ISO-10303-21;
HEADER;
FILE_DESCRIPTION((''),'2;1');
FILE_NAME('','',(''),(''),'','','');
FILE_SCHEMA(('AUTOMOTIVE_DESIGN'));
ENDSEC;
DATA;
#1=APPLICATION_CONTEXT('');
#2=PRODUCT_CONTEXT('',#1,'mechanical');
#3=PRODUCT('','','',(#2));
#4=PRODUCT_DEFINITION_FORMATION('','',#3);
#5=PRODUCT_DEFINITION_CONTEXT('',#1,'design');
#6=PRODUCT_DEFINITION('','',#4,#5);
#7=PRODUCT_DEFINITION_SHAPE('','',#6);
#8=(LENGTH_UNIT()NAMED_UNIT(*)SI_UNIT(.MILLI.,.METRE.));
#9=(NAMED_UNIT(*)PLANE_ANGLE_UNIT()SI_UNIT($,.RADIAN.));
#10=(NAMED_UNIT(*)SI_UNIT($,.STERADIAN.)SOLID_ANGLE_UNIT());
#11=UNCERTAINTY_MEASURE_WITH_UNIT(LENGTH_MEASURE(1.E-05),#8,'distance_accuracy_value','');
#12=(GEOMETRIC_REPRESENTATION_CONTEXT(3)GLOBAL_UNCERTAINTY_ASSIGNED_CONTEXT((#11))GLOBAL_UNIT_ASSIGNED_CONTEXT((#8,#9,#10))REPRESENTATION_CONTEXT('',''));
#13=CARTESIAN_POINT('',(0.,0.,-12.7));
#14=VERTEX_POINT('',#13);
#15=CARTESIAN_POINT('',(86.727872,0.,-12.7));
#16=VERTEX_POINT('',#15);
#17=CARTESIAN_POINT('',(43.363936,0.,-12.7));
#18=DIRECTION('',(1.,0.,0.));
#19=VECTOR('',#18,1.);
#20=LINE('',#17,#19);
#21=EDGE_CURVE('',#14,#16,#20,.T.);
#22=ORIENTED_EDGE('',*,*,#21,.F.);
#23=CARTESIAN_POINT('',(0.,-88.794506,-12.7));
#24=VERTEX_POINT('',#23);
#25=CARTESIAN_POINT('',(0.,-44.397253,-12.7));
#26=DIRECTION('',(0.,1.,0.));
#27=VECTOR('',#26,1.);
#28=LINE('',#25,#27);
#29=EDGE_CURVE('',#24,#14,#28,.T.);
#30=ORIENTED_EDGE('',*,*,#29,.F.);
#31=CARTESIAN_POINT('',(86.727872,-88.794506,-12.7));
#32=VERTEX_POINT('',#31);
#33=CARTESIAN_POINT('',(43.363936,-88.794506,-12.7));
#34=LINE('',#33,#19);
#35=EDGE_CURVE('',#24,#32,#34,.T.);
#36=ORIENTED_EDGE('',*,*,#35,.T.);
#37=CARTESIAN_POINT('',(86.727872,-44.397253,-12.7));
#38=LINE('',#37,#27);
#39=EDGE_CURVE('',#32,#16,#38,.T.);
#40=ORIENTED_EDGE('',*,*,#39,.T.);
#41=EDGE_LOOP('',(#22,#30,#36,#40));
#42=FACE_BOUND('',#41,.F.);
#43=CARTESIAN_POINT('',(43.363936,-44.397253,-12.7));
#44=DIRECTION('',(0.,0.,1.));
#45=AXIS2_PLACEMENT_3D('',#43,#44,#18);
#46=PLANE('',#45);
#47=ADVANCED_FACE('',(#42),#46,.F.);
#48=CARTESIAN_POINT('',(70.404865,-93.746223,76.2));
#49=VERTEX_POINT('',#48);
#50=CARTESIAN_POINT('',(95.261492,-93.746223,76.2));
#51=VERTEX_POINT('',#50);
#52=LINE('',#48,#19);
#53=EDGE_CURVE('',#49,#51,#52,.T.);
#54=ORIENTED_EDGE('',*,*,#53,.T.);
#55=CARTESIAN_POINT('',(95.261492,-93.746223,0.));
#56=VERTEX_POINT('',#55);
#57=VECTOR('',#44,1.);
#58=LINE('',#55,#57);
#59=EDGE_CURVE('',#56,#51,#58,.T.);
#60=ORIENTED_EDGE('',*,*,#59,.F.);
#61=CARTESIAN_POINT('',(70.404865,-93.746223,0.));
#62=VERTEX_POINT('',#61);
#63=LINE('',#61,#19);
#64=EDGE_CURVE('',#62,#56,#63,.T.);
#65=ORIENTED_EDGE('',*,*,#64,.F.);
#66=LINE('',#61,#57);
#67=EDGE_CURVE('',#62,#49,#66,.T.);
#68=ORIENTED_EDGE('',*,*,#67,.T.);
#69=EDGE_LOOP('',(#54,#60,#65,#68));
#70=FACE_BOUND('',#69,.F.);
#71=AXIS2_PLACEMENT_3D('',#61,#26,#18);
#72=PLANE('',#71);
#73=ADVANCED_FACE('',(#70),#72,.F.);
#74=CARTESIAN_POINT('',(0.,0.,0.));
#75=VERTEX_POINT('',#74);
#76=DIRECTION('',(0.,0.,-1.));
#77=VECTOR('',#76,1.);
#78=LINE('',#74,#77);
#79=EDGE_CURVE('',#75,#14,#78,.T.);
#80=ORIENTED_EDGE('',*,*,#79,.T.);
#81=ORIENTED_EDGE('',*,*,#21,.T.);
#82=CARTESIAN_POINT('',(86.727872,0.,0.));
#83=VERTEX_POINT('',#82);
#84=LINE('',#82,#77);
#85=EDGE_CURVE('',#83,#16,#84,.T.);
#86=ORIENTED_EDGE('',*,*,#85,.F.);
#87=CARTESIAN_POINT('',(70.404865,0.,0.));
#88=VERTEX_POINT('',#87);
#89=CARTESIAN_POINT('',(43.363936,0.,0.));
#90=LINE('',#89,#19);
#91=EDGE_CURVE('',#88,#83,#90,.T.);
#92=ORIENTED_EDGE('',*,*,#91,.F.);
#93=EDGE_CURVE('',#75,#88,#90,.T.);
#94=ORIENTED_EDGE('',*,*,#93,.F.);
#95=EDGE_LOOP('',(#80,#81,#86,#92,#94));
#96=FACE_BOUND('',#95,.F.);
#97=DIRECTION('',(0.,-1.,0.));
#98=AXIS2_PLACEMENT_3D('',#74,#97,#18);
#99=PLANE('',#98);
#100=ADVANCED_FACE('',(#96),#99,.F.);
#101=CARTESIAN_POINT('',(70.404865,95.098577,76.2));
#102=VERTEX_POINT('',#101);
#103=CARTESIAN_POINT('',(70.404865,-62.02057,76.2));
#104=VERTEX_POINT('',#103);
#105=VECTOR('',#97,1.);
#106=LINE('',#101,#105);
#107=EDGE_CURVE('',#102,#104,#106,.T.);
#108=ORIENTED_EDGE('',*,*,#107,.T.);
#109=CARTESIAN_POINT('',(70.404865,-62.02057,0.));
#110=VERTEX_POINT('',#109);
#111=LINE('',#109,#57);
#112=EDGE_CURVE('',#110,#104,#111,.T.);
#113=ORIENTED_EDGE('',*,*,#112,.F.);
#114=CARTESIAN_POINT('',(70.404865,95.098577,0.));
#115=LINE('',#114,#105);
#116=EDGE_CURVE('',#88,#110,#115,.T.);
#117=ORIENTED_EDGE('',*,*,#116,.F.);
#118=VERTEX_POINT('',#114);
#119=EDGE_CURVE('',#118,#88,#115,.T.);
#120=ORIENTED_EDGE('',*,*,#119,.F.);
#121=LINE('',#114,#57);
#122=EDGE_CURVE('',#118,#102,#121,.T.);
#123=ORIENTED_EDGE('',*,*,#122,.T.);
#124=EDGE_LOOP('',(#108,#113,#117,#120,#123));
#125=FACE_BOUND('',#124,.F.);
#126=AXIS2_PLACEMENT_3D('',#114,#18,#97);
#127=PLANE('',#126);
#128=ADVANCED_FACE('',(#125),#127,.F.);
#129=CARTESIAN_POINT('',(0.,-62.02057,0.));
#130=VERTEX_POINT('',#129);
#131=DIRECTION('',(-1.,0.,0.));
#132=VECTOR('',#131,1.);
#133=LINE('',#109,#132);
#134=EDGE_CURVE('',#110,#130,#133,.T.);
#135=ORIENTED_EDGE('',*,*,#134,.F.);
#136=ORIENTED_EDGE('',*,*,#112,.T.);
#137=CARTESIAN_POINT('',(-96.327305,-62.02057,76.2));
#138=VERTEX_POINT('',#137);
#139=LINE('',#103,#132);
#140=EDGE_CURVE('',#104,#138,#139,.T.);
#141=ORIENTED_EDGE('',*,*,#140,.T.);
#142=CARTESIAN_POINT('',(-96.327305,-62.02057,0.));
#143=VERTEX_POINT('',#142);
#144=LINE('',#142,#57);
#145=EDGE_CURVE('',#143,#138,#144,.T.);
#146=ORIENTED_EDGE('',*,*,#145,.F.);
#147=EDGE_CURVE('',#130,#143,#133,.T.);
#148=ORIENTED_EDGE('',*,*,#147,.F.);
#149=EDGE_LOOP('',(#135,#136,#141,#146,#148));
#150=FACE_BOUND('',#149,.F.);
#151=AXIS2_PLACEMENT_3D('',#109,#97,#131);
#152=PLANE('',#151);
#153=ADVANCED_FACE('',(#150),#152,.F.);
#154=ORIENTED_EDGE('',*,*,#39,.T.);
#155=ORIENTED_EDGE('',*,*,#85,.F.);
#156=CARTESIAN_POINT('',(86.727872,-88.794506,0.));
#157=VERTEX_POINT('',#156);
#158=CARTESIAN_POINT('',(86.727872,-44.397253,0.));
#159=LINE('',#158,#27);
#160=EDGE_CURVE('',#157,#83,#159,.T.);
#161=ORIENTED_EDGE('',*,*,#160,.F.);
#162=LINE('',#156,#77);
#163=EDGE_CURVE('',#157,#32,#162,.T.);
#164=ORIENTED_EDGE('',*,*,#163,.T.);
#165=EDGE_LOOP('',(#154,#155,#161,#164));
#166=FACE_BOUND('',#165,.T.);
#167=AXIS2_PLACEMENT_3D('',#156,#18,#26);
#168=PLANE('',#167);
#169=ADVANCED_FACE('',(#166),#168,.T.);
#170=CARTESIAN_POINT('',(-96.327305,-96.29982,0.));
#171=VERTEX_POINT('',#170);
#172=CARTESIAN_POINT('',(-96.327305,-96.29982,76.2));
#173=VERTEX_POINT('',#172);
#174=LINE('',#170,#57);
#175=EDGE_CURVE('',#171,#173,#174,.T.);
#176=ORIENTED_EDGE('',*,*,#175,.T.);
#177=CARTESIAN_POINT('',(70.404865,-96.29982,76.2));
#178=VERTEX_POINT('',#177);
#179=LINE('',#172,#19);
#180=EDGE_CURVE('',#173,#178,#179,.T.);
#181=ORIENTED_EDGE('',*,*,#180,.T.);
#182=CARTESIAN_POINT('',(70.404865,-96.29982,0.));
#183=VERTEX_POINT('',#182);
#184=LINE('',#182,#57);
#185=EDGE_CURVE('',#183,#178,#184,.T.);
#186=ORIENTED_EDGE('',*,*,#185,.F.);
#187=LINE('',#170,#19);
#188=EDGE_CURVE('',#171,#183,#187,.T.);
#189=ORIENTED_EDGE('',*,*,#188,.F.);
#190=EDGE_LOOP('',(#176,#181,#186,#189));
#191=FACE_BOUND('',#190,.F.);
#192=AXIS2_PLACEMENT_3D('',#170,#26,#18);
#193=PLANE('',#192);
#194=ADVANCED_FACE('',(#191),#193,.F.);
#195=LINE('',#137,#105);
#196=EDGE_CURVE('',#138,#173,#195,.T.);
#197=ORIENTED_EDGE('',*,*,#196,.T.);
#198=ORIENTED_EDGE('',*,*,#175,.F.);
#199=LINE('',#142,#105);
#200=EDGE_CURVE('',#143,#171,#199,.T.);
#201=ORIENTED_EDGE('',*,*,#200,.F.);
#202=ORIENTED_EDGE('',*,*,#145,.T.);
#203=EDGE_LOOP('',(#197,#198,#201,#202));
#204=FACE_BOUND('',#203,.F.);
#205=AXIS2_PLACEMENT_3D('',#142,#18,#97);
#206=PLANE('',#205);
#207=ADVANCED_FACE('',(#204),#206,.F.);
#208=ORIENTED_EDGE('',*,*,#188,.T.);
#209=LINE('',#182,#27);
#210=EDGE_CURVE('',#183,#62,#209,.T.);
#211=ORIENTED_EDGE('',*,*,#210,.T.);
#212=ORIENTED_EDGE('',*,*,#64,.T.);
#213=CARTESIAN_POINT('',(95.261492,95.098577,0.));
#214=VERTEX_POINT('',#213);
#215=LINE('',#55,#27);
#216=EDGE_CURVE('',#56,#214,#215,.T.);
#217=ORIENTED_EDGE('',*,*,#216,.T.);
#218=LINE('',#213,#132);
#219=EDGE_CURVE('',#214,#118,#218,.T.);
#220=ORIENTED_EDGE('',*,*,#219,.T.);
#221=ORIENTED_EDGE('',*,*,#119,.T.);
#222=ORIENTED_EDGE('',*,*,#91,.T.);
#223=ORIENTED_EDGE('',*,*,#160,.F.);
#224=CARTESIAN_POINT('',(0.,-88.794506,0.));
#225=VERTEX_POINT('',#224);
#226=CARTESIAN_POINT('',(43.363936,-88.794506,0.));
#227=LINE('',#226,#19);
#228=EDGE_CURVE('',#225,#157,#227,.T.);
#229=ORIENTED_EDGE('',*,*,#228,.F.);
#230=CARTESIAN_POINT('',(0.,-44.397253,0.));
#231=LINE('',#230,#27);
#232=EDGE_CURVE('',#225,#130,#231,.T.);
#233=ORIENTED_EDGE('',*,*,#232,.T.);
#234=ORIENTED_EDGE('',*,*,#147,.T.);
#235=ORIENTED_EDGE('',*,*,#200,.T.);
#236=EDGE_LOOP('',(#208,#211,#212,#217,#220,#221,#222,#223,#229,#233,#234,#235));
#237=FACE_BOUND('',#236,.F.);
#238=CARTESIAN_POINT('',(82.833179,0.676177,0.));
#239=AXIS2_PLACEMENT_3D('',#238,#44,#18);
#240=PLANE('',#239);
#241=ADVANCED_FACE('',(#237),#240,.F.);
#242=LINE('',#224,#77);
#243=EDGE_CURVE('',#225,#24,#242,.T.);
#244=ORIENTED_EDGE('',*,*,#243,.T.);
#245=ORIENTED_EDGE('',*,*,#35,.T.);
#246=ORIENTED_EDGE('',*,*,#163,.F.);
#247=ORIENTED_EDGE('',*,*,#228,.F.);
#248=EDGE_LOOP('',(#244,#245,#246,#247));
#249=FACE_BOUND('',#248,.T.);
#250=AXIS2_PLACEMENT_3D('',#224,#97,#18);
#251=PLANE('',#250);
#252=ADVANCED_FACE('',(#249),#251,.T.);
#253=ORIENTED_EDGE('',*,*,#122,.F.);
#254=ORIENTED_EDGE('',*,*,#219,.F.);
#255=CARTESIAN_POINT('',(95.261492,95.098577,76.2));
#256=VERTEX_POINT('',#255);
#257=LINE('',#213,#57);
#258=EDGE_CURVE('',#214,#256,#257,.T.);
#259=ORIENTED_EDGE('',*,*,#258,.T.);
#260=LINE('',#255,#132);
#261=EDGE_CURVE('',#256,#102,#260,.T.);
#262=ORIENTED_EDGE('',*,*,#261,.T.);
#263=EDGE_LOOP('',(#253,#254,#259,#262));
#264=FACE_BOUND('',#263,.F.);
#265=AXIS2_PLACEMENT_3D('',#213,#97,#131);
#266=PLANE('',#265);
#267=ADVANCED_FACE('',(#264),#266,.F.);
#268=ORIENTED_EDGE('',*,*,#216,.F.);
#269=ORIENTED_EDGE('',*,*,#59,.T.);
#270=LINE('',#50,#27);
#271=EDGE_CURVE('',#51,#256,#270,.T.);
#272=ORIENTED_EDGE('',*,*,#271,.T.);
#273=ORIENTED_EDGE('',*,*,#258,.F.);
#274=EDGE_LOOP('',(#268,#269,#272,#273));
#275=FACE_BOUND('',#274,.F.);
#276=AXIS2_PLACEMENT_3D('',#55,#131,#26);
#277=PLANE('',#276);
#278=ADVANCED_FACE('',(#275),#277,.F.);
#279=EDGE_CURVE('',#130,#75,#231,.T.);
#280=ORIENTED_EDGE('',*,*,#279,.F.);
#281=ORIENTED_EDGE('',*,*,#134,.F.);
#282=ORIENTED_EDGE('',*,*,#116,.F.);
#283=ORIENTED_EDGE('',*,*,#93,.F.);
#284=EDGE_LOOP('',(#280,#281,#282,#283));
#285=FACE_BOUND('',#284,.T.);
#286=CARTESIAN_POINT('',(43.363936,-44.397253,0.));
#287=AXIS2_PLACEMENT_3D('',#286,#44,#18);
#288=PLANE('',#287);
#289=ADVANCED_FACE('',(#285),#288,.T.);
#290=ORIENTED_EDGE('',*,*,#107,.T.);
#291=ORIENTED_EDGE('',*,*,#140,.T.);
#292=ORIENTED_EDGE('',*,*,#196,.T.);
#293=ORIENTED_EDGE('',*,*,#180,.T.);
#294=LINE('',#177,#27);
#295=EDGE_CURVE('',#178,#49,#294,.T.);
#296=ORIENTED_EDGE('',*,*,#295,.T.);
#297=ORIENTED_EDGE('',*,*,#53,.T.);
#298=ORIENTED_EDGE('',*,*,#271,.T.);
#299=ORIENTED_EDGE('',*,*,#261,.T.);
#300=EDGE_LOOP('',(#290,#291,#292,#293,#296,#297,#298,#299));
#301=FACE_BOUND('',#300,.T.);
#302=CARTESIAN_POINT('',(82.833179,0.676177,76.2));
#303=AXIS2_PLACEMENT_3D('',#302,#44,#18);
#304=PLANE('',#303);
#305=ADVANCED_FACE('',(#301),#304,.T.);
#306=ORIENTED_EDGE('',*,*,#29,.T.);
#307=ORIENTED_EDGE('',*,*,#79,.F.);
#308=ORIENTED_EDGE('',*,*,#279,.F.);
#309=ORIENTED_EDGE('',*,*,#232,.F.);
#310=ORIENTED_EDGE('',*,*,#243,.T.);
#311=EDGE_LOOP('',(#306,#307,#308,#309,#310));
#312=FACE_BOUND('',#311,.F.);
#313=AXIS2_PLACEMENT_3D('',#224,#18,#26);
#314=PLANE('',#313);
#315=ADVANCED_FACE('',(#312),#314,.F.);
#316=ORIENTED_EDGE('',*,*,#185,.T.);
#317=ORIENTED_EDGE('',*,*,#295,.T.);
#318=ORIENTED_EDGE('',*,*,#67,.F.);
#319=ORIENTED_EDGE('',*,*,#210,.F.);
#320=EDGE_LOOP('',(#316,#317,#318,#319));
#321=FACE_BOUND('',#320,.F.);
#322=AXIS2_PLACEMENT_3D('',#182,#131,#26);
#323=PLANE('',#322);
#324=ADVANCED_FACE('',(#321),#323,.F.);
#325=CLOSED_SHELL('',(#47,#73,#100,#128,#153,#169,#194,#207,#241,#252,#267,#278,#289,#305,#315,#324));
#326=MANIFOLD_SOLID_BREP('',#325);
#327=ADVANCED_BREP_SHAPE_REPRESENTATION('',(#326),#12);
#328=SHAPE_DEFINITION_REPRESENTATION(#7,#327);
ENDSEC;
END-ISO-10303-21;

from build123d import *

# Parameters (mm, degrees)
F1_DEPTH = 76.2
F2_W     = 86.727872
F2_H     = 88.794507
F3_DEPTH = 12.7


with BuildPart() as f1:
    # F0 (on Top) → F1 (new body)
    with BuildSketch(Plane.XY):
        Polygon((95.261492, -93.746223), (95.261492, 95.098577), (70.404865, 95.098577), (70.404865, -62.02057), (70.404865, -93.746223), align=None)
        Polygon((70.404865, -93.746223), (70.404865, -62.02057), (-96.327305, -62.02057), (-96.327305, -96.29982), (70.404865, -96.29982), align=None)
    extrude(amount=F1_DEPTH)

    # F2 (on Top) → F3 (join)
    with BuildSketch(Plane.XY):
        with Locations((43.363936, -44.397253)):
            Rectangle(F2_W, F2_H)
    extrude(amount=-F3_DEPTH)


solid = f1.part
